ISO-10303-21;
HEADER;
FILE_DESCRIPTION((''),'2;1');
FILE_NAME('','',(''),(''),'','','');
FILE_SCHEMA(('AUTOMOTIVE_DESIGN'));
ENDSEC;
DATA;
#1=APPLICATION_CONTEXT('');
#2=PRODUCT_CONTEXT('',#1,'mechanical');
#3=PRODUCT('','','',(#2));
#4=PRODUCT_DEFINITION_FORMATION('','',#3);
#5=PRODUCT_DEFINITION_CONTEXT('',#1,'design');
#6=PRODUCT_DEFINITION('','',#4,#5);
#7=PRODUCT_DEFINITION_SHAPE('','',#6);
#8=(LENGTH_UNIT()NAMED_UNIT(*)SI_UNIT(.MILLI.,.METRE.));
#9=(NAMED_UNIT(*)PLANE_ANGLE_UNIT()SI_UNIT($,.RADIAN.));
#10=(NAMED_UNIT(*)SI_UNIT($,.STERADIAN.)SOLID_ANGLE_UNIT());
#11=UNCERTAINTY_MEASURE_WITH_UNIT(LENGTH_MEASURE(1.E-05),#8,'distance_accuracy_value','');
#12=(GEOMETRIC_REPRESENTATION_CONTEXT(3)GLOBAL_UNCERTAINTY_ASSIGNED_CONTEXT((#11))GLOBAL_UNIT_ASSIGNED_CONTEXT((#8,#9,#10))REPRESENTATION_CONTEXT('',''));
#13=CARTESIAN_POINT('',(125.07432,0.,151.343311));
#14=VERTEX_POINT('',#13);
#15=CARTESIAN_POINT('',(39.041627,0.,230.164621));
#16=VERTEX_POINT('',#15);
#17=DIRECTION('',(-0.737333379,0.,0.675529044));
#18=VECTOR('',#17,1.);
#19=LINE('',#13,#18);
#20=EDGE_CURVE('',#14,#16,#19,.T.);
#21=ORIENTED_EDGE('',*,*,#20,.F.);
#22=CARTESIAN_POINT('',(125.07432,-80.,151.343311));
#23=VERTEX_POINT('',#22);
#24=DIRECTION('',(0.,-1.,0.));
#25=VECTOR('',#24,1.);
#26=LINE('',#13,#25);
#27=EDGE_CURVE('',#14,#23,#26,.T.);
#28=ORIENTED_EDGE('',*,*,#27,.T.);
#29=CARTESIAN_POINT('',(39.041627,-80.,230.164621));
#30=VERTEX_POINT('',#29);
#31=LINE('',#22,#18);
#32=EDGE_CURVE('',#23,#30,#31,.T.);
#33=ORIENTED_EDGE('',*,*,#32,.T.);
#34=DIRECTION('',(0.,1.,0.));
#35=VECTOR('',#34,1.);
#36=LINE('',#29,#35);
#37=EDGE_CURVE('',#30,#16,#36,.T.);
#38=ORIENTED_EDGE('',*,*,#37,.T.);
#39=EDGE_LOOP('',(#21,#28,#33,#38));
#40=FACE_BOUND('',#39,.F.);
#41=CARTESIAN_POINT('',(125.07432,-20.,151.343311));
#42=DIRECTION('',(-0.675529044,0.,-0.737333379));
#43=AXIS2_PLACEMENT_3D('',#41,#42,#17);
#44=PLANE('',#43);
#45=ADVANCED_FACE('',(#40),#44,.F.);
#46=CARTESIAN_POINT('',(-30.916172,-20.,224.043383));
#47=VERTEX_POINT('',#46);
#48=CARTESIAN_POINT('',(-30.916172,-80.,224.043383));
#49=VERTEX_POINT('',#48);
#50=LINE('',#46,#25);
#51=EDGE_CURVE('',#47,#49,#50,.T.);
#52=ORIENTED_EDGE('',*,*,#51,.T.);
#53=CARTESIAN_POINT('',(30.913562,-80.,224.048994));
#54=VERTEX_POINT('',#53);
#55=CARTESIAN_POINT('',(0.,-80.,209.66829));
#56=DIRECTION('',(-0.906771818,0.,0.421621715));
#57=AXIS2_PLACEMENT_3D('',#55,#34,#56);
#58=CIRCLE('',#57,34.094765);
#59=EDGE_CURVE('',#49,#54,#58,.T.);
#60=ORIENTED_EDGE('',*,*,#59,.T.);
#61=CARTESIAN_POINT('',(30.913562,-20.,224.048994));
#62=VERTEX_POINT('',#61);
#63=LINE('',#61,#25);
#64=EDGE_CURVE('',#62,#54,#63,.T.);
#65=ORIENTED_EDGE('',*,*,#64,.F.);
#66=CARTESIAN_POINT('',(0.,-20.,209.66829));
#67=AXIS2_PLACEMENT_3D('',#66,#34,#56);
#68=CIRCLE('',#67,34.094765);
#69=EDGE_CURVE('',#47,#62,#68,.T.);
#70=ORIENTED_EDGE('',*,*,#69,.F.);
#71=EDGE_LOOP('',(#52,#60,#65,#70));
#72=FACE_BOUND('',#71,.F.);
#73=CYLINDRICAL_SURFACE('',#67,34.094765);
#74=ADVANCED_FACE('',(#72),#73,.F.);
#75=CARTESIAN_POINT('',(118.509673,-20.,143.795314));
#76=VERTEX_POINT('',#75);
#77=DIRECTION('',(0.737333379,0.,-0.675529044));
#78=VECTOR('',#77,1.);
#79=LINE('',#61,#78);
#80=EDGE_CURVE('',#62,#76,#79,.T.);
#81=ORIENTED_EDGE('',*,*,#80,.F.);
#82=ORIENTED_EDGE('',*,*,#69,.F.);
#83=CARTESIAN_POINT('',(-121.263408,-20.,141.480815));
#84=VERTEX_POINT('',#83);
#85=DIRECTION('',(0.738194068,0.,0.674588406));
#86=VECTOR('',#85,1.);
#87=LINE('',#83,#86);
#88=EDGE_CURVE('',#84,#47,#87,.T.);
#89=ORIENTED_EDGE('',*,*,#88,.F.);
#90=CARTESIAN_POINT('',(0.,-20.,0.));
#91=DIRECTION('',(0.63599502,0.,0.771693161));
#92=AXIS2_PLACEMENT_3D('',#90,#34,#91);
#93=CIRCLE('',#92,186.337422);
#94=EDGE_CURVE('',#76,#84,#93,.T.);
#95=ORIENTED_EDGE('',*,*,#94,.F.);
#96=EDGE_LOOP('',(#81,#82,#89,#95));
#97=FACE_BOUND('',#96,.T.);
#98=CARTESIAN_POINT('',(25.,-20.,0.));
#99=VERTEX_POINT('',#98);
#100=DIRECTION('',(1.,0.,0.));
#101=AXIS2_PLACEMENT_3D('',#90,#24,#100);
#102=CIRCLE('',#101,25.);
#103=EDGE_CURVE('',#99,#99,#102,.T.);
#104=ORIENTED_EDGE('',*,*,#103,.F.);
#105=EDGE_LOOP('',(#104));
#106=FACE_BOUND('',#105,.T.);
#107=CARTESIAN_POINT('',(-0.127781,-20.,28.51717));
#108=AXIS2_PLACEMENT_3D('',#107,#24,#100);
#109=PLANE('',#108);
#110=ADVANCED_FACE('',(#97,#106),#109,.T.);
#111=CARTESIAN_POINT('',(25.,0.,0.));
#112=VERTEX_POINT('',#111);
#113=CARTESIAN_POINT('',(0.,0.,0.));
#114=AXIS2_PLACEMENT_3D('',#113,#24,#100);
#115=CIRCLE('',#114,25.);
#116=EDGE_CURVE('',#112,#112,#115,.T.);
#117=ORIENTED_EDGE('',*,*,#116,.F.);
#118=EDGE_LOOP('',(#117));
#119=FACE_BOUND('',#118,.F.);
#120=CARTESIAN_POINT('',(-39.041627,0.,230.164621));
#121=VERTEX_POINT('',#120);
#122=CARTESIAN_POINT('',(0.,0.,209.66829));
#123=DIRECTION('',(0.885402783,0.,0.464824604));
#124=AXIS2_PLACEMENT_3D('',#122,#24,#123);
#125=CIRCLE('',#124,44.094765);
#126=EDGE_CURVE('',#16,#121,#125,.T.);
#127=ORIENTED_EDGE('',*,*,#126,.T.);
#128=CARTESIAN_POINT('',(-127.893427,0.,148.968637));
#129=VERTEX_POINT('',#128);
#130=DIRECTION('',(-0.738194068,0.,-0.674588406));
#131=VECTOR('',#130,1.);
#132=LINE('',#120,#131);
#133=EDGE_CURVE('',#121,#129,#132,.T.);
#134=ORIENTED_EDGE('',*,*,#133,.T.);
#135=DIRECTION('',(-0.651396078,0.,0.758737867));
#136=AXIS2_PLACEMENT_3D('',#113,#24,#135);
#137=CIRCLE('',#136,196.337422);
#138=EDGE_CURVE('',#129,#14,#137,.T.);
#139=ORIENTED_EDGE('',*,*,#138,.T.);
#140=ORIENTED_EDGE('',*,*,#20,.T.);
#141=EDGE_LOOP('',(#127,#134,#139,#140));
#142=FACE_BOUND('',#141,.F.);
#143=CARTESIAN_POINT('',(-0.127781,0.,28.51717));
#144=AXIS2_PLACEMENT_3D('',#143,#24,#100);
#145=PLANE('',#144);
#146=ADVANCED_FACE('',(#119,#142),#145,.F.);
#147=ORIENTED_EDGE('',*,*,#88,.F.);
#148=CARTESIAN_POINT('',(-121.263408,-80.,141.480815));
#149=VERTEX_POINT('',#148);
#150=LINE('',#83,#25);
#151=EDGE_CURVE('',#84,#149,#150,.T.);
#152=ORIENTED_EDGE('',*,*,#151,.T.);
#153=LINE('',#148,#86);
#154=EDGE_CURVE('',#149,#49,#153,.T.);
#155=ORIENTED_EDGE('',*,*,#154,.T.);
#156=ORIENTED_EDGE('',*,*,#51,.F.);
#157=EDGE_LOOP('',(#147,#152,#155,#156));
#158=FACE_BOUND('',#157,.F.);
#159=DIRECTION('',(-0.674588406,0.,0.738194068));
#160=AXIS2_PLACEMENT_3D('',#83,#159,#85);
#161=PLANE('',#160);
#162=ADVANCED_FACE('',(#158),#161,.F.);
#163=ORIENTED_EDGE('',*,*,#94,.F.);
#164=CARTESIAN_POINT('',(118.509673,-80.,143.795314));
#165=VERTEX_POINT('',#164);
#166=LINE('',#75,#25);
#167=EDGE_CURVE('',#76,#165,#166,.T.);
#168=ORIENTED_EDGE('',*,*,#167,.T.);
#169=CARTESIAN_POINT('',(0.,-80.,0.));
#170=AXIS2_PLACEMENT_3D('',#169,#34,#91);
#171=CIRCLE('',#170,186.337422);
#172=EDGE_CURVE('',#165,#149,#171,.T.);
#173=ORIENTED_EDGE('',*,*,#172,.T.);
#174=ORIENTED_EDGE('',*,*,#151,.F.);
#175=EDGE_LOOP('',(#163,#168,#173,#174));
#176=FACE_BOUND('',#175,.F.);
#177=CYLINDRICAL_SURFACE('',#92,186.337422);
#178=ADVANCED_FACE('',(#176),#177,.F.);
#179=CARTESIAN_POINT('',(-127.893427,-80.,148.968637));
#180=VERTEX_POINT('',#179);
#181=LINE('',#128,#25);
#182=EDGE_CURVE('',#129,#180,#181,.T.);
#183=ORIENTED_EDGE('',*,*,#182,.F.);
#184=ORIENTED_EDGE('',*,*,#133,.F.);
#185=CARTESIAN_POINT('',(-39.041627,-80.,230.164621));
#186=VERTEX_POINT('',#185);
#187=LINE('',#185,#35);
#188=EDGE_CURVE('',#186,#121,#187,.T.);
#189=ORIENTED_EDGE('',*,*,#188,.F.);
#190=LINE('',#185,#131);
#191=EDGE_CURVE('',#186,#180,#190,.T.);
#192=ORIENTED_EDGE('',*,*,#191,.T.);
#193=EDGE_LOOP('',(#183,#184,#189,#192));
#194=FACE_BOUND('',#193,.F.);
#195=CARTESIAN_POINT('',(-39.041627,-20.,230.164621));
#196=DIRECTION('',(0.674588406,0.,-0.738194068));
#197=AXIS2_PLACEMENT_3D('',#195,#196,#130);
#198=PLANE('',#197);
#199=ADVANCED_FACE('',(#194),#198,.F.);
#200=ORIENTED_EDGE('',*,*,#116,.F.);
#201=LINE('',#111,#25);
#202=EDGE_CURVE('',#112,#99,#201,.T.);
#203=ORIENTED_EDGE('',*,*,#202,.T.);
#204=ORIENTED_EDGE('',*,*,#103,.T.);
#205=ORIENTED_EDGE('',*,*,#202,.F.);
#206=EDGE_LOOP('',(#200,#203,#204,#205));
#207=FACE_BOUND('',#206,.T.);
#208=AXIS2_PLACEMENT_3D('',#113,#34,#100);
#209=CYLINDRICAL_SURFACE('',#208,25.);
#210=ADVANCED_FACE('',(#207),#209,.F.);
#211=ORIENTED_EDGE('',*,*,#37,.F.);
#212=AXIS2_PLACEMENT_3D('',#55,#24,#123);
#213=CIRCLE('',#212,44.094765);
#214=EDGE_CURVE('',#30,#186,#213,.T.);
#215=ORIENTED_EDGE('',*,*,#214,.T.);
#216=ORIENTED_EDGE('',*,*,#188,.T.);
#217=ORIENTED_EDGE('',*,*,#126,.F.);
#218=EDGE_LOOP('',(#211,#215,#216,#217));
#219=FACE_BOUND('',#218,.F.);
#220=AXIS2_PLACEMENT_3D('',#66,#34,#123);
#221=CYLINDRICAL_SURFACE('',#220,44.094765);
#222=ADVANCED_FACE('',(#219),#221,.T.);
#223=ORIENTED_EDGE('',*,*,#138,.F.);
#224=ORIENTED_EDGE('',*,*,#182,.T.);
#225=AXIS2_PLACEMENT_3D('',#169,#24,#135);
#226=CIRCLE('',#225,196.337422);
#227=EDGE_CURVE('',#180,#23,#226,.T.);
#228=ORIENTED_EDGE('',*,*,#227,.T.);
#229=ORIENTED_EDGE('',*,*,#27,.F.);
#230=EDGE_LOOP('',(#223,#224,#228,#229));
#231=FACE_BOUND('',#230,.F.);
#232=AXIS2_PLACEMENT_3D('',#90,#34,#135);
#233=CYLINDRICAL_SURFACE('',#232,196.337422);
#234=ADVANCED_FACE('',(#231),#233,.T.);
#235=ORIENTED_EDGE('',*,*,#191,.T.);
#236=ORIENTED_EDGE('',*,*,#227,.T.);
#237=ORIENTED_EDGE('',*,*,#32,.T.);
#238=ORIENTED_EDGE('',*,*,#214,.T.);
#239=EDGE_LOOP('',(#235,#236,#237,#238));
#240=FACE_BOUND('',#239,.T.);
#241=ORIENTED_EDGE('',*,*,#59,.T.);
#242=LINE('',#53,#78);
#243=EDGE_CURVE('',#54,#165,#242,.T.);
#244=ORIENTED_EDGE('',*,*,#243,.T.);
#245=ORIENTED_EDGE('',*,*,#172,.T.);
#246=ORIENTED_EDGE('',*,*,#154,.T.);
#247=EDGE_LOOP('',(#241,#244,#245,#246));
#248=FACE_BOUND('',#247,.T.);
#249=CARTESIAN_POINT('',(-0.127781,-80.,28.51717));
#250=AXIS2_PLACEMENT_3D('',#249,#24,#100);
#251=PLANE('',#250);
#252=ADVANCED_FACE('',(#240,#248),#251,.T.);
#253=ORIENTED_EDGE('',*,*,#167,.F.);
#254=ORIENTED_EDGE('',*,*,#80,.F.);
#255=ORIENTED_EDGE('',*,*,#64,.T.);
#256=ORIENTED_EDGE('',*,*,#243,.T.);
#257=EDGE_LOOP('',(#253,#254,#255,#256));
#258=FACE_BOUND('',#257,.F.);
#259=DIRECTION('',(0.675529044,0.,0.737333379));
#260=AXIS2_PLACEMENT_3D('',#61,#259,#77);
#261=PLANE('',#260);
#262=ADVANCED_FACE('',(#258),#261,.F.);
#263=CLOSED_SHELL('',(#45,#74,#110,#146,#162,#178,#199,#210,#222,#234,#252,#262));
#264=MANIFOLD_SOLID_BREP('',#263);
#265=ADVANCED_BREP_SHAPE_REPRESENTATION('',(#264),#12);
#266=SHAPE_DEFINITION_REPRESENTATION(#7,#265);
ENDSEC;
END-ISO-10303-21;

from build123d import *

# Parameters (mm, degrees)
F0_R     = 25
F1_DEPTH = 20
F2_START = 20
F2_DEPTH = 60


with BuildPart() as f1:
    # F0 (on Front) → F1 (new body)
    with BuildSketch(Plane.XZ):
        with BuildLine():
            Line((-39.0416272934, 230.1646211462), (-127.893426815, 148.9686369788))
            ThreePointArc((-127.893426815, 148.9686369788), (1.8429896211, -196.3287722547), (125.0743198764, 151.3433114916))
            Line((125.0743198764, 151.3433114916), (39.0416272934, 230.1646211462))
            ThreePointArc((39.0416272934, 230.1646211462), (0, 253.7630542683), (-39.0416272934, 230.1646211462))
        make_face()
        with BuildLine():
            ThreePointArc((118.5096726545, 143.7953144771), (1.7986083479, -186.3287417074), (-121.2634079203, 141.480814522))
            Line((-121.2634079203, 141.480814522), (-30.9161716853, 224.0433827807))
            ThreePointArc((-30.9161716853, 224.0433827807), (-0.0030944403, 243.7630541279), (30.9135618095, 224.0489944464))
            Line((30.9135618095, 224.0489944464), (118.5096726545, 143.7953144771))
        make_face(mode=Mode.SUBTRACT)
        with BuildLine():
            Line((-30.9161716853, 224.0433827807), (-121.2634079203, 141.480814522))
            ThreePointArc((-121.2634079203, 141.480814522), (1.7986083479, -186.3287417074), (118.5096726545, 143.7953144771))
            Line((118.5096726545, 143.7953144771), (30.9135618095, 224.0489944464))
            ThreePointArc((30.9135618095, 224.0489944464), (-0.0030944403, 243.7630541279), (-30.9161716853, 224.0433827807))
        make_face()
        Circle(F0_R, mode=Mode.SUBTRACT)
    extrude(amount=F1_DEPTH)

    # F0 (on Front) → F2 (join)
    with BuildSketch(Plane.XZ.offset(F2_START)):
        with BuildLine():
            Line((-39.0416272934, 230.1646211462), (-127.893426815, 148.9686369788))
            ThreePointArc((-127.893426815, 148.9686369788), (1.8429896211, -196.3287722547), (125.0743198764, 151.3433114916))
            Line((125.0743198764, 151.3433114916), (39.0416272934, 230.1646211462))
            ThreePointArc((39.0416272934, 230.1646211462), (0, 253.7630542683), (-39.0416272934, 230.1646211462))
        make_face()
        with BuildLine():
            ThreePointArc((118.5096726545, 143.7953144771), (1.7986083479, -186.3287417074), (-121.2634079203, 141.480814522))
            Line((-121.2634079203, 141.480814522), (-30.9161716853, 224.0433827807))
            ThreePointArc((-30.9161716853, 224.0433827807), (-0.0030944403, 243.7630541279), (30.9135618095, 224.0489944464))
            Line((30.9135618095, 224.0489944464), (118.5096726545, 143.7953144771))
        make_face(mode=Mode.SUBTRACT)
    extrude(amount=F2_DEPTH)


solid = f1.part
